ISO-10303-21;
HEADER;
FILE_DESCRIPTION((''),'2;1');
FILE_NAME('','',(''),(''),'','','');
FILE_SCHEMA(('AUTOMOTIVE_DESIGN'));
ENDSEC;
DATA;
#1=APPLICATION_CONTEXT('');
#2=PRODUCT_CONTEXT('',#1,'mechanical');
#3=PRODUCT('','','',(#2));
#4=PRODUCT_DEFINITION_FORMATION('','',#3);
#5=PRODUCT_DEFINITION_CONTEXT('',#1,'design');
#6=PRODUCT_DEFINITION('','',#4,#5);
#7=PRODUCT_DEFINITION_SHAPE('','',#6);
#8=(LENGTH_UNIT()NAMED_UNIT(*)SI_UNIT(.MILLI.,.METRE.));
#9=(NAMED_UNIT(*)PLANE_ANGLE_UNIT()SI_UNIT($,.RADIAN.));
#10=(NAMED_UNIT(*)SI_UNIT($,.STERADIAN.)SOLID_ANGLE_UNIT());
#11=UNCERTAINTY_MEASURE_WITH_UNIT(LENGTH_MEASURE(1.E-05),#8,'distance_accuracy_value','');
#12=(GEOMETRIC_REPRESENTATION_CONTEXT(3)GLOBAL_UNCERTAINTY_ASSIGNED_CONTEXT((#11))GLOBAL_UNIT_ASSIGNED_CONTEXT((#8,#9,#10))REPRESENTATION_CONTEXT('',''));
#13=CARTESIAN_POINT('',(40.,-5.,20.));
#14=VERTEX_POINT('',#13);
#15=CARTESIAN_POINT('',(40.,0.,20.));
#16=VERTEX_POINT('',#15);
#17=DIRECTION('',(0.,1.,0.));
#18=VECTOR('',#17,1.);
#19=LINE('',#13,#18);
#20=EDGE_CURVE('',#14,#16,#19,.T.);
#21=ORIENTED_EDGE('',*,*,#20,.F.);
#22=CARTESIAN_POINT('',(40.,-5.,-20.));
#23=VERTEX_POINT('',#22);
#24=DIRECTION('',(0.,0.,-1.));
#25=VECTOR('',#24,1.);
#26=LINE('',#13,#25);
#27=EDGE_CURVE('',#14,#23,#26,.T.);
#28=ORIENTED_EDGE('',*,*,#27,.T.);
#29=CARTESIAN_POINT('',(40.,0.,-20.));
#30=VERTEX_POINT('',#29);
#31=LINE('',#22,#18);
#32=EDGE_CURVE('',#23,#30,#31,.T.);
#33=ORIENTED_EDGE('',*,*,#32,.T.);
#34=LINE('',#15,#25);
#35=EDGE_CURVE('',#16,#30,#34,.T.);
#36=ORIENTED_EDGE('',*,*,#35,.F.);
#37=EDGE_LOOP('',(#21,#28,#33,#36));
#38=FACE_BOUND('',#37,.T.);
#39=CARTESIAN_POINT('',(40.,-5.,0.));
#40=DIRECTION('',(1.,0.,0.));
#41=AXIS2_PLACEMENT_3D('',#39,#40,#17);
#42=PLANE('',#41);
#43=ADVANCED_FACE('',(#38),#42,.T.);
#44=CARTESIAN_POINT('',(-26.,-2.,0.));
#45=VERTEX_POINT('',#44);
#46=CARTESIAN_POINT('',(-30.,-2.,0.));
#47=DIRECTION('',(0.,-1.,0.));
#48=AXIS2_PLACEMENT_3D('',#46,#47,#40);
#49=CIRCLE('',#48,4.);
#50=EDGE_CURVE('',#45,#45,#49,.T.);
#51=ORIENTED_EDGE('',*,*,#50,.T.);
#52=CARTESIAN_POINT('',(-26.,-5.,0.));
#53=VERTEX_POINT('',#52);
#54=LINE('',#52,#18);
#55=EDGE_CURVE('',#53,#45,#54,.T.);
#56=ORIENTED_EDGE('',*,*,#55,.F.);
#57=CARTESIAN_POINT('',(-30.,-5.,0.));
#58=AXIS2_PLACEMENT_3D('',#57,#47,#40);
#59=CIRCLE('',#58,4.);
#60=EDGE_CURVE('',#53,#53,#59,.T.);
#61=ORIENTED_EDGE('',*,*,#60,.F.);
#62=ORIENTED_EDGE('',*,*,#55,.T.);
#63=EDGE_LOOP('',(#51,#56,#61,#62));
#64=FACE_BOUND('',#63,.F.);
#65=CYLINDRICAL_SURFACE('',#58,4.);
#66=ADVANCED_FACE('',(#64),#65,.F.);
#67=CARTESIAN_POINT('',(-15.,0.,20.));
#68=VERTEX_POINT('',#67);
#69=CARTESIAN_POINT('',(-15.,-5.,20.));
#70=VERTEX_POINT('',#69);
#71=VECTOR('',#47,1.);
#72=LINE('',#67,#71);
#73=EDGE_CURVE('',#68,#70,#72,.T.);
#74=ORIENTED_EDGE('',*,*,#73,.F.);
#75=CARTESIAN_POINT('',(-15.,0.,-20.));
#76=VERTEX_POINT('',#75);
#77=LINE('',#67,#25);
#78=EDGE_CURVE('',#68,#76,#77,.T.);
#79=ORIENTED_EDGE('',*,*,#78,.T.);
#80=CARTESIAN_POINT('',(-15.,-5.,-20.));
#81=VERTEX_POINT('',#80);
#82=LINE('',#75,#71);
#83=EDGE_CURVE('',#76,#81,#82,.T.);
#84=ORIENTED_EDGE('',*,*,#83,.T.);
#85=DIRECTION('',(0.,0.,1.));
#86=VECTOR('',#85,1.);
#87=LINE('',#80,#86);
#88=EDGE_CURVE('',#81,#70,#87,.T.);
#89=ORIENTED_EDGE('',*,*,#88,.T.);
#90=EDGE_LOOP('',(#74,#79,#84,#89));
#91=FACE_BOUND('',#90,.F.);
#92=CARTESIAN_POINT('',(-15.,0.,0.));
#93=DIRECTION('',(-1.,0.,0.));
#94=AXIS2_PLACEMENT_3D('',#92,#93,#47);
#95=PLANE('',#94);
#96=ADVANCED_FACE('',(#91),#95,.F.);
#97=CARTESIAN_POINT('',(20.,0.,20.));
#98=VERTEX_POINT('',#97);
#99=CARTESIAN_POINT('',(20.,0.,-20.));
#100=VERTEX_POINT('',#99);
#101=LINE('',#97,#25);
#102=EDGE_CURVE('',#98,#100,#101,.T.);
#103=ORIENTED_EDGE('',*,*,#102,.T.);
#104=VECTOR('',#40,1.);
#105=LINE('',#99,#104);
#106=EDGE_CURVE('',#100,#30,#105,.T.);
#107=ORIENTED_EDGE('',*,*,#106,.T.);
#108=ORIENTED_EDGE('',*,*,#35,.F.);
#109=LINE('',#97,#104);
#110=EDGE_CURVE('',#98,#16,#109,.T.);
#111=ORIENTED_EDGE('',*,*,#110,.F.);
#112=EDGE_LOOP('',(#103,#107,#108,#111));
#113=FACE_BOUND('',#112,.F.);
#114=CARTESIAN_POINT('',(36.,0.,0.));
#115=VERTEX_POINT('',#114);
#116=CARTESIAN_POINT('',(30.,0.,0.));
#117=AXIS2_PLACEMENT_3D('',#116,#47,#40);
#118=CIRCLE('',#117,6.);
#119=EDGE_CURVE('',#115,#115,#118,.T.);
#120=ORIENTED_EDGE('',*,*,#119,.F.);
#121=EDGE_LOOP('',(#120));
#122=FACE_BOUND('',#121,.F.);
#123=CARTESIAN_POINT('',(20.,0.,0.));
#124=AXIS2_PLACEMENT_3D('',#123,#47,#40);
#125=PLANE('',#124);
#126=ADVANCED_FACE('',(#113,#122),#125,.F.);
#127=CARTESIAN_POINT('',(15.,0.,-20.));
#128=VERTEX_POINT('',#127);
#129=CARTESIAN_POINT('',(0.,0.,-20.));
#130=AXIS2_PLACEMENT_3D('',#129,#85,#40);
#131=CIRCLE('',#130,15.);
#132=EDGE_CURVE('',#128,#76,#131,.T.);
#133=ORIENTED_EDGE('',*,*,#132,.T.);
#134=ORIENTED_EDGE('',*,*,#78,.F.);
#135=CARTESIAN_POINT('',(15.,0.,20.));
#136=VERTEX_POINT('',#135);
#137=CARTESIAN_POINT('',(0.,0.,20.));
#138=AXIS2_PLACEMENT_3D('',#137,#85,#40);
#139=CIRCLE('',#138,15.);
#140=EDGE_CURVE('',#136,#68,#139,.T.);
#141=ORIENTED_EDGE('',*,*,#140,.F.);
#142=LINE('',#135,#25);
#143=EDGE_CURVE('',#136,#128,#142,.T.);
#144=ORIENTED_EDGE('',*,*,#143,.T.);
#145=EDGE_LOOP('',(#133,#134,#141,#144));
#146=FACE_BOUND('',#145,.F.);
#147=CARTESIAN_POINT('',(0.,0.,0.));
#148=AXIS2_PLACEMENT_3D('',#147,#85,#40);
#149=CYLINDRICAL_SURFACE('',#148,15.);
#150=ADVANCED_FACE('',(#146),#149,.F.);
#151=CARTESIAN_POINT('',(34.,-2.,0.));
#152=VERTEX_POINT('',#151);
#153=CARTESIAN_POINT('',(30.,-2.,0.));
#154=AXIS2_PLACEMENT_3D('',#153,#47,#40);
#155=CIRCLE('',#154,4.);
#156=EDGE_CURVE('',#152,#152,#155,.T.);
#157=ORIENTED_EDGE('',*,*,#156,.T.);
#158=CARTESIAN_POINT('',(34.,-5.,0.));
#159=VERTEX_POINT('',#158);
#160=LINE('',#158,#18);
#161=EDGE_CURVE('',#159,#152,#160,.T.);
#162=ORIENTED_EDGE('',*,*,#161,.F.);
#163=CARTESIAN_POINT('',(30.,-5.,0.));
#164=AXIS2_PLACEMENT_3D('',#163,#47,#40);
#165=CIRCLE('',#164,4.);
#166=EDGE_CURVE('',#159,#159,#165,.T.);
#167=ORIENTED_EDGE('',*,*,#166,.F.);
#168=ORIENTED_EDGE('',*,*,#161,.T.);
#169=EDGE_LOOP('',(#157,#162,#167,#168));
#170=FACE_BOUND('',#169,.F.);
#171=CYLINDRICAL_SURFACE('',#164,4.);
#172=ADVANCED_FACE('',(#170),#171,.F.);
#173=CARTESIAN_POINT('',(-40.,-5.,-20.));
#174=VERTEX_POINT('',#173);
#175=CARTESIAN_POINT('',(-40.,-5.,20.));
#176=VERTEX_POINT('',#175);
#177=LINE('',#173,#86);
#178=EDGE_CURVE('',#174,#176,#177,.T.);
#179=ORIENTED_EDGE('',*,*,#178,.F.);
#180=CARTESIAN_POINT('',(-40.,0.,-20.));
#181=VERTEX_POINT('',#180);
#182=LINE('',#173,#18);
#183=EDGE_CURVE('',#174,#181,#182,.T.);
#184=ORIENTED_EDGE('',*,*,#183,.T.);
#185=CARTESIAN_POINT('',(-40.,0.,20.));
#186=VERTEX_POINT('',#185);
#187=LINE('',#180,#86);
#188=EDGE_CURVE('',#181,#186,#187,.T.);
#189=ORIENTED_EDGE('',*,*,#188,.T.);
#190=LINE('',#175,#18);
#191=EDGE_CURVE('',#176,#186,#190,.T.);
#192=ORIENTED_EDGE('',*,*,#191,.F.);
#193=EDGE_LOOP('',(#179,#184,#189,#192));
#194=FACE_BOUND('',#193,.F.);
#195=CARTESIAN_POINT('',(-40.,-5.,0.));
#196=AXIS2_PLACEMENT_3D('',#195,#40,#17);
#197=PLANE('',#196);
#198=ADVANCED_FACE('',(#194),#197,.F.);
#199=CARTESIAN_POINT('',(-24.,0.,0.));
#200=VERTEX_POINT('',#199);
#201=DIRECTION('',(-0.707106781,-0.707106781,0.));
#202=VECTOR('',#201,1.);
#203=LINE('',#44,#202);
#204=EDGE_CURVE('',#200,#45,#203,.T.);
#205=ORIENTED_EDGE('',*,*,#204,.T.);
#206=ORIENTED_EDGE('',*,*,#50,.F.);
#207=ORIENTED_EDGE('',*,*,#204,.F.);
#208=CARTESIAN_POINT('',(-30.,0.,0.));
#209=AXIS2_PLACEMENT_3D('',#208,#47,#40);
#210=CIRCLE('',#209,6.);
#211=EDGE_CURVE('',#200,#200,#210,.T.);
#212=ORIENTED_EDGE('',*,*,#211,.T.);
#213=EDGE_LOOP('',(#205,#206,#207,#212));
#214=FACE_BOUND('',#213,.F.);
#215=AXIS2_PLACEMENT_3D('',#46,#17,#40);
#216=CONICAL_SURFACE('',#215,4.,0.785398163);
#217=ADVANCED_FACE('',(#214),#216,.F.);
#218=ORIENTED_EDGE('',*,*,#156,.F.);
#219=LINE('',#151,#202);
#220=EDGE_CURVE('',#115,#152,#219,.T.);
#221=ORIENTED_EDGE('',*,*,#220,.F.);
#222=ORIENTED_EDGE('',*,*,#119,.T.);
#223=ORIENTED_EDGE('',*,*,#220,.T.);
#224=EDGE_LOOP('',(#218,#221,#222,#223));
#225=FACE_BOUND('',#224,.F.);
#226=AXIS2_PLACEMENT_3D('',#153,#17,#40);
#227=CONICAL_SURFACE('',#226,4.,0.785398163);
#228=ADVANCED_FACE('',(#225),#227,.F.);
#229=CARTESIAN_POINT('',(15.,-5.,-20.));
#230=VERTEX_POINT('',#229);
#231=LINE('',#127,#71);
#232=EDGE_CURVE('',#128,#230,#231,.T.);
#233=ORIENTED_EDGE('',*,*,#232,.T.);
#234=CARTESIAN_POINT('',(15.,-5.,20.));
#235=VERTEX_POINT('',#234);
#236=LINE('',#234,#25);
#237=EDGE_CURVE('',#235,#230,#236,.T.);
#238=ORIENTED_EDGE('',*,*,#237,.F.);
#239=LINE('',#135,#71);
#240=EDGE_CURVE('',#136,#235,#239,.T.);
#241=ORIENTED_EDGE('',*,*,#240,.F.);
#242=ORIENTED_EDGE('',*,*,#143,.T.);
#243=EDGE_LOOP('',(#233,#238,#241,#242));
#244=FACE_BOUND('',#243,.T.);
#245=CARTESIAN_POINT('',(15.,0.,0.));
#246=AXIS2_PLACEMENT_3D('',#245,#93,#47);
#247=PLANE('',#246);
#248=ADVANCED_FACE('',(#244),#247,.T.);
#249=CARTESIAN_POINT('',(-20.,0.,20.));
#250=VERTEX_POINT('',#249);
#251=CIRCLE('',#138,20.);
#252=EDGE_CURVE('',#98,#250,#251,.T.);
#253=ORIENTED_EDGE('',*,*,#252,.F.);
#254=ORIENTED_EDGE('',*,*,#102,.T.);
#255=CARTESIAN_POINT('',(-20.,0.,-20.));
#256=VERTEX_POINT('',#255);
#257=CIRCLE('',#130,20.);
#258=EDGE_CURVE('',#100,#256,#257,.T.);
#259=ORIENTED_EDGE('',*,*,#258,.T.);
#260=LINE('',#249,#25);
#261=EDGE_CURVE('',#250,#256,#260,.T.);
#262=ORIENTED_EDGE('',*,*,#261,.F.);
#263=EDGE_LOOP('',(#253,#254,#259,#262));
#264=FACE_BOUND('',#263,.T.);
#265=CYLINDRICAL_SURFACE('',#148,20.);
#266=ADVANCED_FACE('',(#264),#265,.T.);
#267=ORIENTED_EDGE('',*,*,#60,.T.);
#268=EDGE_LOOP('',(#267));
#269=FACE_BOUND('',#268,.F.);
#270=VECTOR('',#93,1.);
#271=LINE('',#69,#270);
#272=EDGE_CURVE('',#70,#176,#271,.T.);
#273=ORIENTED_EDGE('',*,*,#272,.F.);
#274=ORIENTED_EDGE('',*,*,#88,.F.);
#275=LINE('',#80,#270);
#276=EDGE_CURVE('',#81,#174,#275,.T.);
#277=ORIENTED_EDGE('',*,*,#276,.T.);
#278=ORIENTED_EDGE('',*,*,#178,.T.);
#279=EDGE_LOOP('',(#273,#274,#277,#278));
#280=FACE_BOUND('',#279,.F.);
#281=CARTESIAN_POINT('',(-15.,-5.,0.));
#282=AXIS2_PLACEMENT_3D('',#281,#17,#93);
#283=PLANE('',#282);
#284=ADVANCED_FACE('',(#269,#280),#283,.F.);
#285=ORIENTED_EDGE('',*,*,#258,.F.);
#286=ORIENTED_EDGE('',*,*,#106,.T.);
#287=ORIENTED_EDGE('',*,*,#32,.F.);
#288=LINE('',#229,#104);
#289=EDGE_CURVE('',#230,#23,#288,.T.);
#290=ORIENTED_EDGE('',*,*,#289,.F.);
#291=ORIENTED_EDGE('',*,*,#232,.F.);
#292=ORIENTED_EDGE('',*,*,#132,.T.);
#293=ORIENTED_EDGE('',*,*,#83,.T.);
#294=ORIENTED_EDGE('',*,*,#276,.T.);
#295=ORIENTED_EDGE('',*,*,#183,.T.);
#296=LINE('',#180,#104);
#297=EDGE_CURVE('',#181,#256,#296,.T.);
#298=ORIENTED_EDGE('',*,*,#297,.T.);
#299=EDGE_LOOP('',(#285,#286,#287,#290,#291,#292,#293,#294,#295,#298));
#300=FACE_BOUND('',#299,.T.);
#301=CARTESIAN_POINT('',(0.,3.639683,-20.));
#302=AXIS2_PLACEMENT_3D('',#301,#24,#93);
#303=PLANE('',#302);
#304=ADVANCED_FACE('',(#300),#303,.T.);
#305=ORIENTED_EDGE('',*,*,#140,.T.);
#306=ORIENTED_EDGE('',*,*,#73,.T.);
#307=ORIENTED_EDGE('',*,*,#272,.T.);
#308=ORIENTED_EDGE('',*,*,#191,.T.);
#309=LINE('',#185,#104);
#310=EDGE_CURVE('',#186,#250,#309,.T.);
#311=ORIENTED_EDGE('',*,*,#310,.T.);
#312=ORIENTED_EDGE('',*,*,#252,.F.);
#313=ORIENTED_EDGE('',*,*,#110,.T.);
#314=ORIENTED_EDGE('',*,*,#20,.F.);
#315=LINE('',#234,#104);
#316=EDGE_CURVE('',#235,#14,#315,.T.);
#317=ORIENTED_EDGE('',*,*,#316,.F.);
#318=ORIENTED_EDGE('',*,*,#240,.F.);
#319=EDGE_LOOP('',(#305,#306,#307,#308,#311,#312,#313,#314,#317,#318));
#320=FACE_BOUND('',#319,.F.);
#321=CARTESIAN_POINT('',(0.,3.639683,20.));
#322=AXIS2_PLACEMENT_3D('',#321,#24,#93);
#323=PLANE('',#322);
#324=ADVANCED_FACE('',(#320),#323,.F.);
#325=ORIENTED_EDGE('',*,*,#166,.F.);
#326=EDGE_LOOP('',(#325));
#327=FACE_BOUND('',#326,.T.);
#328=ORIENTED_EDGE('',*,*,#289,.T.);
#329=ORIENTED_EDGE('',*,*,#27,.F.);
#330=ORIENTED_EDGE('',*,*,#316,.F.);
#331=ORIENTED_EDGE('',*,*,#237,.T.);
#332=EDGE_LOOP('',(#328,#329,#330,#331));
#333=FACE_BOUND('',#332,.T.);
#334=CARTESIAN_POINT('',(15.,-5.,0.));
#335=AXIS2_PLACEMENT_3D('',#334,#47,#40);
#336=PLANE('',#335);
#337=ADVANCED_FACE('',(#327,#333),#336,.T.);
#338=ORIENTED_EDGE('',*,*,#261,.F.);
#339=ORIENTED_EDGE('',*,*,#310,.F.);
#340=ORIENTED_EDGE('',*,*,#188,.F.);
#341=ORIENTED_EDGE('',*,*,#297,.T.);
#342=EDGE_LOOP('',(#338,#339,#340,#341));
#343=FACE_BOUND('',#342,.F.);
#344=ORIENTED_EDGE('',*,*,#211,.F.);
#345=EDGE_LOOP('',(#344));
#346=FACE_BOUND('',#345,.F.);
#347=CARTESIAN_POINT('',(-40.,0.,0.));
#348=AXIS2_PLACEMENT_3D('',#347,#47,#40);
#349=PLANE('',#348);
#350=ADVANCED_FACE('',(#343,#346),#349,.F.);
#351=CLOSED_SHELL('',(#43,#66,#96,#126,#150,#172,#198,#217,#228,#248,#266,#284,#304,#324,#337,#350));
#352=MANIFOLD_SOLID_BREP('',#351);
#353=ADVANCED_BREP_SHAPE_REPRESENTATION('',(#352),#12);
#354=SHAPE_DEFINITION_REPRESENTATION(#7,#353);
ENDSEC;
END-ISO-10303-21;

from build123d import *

# Parameters (mm, degrees)
PAD_DEPTH    = 20
SKETCH001_R  = 4
POCKET_DEPTH = 25.001
CHAMFER_SIZE = 2


with BuildPart() as part:
    # Sketch → Pad (new body, symmetric)
    with BuildSketch(Plane.XY):
        with BuildLine():
            Line((-40, 0), (-20, 0))
            ThreePointArc((20, 0), (0, 20), (-20, 0))
            Line((20, 0), (40, 0))
            Line((40, -5), (40, 0))
            Line((15, -5), (40, -5))
            Line((15, 0), (15, -5))
            ThreePointArc((15, 0), (0, 15), (-15, 0))
            Line((-15, 0), (-15, -5))
            Line((-15, -5), (-40, -5))
            Line((-40, -5), (-40, 0))
        make_face()
    extrude(amount=PAD_DEPTH, both=True)

    # Sketch001 → Pocket (cut, through all)
    with BuildSketch(Plane.XZ.offset(5)):
        with Locations((-30, 0)):
            Circle(SKETCH001_R)
        with Locations((30, 0)):
            Circle(SKETCH001_R)
    extrude(amount=-POCKET_DEPTH, mode=Mode.SUBTRACT)

    # Chamfer
    chamfer_edges = [part.edges().sort_by_distance(p)[0] for p in [
        (26, 0, 0),
        (-34, 0, 0),
    ]]
    chamfer(chamfer_edges, length=CHAMFER_SIZE)


solid = part.part
